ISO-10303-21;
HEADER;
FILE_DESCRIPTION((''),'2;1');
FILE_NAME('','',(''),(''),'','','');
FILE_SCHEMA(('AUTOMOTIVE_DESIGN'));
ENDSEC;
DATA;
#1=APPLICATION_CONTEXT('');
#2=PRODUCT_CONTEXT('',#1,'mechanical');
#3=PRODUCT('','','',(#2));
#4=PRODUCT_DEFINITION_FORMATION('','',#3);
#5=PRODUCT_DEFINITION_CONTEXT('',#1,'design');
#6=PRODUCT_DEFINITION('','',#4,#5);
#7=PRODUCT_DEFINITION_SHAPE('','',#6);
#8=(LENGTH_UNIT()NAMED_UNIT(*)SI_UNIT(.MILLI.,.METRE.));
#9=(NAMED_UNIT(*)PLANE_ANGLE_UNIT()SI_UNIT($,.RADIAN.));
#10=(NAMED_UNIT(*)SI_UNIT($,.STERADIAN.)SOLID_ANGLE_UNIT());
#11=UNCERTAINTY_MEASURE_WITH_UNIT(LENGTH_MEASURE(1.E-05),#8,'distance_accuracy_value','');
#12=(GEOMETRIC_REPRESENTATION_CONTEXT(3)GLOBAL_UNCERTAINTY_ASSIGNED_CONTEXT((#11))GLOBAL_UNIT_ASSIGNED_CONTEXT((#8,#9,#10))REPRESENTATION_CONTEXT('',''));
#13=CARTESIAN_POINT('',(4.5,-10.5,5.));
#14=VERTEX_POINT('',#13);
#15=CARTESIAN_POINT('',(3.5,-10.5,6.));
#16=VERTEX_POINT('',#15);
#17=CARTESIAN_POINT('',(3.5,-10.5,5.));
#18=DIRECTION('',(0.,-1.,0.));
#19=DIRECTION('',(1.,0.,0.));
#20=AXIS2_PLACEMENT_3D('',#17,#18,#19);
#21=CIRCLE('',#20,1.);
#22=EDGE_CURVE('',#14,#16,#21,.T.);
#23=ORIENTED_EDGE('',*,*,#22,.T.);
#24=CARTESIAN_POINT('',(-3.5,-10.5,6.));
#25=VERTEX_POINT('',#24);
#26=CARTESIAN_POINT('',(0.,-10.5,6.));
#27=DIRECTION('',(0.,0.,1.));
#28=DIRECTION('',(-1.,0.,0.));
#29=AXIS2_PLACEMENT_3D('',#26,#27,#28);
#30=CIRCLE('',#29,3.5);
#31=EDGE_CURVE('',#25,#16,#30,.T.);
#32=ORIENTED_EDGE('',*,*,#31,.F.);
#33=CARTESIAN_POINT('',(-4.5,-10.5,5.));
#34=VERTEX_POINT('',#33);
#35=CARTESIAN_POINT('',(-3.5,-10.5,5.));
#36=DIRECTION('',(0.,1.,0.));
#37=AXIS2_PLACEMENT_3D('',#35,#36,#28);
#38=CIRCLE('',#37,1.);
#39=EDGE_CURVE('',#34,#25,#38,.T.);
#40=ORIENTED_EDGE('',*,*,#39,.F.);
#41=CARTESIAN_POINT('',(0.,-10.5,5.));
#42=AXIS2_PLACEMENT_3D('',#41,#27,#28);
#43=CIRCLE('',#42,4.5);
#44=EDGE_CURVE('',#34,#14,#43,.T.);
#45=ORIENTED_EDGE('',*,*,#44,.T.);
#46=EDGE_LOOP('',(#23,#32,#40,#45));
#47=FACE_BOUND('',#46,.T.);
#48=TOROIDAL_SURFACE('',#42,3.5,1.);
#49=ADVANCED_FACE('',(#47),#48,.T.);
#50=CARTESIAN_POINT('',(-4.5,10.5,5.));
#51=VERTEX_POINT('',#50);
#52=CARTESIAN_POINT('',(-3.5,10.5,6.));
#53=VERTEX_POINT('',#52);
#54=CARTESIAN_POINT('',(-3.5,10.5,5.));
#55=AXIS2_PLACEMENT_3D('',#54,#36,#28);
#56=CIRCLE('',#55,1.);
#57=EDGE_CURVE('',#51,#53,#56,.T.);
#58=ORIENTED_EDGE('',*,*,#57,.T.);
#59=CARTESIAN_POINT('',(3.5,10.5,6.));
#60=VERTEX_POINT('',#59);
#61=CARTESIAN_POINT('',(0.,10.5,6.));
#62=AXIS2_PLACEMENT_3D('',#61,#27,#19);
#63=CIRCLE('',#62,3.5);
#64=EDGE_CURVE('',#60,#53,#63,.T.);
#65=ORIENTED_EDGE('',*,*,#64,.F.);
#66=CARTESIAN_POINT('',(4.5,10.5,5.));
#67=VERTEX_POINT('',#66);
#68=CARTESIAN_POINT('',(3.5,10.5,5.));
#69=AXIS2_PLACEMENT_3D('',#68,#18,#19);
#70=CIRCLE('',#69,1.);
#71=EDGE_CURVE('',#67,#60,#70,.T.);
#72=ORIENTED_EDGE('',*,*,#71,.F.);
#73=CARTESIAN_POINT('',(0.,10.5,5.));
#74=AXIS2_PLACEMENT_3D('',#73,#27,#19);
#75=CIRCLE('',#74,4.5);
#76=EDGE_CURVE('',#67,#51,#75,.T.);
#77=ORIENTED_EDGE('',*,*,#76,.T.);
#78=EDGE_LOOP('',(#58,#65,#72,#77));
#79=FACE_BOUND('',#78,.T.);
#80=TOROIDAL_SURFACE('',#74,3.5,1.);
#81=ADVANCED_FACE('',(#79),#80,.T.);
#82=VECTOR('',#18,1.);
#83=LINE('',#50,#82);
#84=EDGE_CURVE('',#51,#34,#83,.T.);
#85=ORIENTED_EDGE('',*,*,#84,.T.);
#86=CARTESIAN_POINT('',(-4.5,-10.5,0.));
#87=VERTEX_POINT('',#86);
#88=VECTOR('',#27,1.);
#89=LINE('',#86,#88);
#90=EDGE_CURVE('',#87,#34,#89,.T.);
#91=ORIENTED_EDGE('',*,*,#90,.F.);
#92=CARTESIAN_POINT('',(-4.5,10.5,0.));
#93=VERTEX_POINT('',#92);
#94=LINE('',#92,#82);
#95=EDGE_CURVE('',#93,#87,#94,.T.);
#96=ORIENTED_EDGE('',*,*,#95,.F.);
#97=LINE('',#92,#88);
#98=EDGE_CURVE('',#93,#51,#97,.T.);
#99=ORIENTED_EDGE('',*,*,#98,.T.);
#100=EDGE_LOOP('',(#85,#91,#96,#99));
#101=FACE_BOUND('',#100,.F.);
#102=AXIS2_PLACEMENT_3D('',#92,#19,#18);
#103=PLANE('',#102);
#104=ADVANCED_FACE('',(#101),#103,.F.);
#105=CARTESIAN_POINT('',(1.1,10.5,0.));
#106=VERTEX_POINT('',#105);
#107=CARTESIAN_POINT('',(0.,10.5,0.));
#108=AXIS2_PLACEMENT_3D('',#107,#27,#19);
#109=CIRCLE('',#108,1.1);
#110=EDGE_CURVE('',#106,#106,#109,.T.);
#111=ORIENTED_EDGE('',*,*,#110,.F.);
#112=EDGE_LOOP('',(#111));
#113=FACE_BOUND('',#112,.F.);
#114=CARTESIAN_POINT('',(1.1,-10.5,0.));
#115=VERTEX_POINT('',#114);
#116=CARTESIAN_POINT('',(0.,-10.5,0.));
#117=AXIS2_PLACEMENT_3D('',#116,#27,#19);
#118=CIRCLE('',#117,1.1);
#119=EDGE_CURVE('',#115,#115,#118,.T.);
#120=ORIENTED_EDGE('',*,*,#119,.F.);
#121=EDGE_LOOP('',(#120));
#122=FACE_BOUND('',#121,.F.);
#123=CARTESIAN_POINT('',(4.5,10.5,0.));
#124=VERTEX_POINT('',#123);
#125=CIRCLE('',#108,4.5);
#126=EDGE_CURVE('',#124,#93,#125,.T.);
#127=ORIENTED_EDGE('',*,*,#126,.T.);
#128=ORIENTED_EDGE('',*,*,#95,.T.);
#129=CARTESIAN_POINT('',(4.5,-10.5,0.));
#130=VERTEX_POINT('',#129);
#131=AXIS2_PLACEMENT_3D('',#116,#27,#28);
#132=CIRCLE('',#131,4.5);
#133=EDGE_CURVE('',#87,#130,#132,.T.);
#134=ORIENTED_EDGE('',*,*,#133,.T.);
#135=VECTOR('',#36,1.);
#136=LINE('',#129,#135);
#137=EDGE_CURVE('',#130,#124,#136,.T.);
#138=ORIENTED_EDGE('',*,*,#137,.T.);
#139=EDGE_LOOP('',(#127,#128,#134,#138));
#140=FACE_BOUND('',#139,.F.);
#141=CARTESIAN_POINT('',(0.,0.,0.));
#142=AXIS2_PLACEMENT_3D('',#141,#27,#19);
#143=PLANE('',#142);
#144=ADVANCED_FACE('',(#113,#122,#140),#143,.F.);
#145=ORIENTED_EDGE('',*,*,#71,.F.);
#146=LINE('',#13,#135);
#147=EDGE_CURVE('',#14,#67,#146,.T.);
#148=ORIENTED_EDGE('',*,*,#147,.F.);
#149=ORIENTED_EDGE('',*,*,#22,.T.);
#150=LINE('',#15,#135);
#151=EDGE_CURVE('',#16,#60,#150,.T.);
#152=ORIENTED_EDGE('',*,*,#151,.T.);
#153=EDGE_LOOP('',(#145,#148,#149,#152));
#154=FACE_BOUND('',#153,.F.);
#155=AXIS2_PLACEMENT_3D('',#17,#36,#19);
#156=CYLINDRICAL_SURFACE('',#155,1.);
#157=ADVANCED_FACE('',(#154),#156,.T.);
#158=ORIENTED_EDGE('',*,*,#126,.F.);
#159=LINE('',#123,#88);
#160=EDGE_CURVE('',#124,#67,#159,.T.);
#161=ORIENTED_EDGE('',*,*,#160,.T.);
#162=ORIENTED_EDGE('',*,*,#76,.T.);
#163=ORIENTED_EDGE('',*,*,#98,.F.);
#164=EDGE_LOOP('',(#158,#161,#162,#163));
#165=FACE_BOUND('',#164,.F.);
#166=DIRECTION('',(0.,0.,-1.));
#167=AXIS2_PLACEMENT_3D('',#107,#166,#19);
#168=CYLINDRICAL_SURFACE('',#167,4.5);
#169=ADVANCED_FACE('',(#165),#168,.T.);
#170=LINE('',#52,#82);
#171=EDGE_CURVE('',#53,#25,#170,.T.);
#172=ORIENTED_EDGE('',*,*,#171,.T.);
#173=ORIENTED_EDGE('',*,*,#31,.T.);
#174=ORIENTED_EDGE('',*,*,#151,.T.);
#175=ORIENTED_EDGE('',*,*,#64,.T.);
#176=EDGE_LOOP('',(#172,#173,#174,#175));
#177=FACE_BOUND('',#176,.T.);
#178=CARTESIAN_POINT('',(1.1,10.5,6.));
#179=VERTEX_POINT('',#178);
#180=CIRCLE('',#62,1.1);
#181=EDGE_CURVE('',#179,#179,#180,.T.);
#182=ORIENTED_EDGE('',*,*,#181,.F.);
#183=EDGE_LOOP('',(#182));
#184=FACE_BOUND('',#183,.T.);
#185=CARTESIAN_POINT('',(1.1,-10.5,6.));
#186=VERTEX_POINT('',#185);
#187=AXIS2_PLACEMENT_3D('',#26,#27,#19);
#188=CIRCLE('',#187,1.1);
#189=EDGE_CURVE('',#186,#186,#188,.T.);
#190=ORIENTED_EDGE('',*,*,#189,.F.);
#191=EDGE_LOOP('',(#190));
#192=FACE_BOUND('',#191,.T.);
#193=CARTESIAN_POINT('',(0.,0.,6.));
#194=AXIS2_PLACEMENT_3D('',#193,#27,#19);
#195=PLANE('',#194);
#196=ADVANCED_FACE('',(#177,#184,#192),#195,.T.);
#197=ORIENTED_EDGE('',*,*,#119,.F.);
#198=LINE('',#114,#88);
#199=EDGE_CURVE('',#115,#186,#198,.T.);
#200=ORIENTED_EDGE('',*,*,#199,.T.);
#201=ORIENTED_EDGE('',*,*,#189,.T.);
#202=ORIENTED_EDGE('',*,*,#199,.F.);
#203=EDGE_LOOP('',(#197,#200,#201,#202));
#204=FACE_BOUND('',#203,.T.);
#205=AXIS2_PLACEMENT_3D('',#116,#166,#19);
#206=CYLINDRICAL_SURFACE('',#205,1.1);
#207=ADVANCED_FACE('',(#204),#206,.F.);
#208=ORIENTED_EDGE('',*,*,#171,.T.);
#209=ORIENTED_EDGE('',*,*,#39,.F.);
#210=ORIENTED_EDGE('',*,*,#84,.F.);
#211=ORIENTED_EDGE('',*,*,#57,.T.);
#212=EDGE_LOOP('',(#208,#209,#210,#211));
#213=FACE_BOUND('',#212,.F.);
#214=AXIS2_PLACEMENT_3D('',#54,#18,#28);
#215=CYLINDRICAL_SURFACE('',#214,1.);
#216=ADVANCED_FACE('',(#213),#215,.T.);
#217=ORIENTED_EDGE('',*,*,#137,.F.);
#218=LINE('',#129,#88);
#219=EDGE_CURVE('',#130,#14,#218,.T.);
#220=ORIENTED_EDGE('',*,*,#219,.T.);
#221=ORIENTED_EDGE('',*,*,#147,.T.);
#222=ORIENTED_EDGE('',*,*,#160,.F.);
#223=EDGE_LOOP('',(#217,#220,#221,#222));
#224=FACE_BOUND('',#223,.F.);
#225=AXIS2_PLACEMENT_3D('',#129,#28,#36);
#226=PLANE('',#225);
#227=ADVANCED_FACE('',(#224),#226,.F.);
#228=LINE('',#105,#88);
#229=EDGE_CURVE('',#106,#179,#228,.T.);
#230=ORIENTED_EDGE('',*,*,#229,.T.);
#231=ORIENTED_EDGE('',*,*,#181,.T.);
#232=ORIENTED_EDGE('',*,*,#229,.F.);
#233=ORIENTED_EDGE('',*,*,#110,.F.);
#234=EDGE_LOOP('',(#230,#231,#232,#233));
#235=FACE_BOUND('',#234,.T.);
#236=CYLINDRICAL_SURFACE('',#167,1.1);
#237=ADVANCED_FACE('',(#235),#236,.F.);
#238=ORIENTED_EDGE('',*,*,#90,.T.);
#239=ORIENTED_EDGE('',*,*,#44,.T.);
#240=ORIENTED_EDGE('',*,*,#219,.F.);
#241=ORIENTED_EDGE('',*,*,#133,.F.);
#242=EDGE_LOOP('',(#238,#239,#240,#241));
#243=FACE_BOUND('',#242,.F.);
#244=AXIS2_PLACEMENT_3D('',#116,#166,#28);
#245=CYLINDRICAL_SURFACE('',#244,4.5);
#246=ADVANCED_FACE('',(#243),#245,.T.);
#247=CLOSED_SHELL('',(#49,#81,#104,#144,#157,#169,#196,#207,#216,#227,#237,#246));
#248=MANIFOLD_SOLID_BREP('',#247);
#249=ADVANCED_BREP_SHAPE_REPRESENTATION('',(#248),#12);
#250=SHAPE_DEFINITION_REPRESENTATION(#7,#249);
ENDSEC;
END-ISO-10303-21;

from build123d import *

# Parameters (mm, degrees)
SKETCH_R  = 1.1
PAD_DEPTH = 6
FILLET_R  = 1


with BuildPart() as part:
    # Sketch → Pad (new body)
    with BuildSketch(Plane.XY):
        with BuildLine():
            ThreePointArc((4.5, 10.5), (0, 15), (-4.5, 10.5))
            Line((-4.5, 10.5), (-4.5, -10.5))
            ThreePointArc((-4.5, -10.5), (0, -15), (4.5, -10.5))
            Line((4.5, -10.5), (4.5, 10.5))
        make_face()
        with Locations((0, 10.5)):
            Circle(SKETCH_R, mode=Mode.SUBTRACT)
        with Locations((0, -10.5)):
            Circle(SKETCH_R, mode=Mode.SUBTRACT)
    extrude(amount=PAD_DEPTH)

    # Fillet
    fillet_edges = [part.edges().sort_by_distance(p)[0] for p in [
        (-4.5, 0, 6),
    ]]
    fillet(fillet_edges, radius=FILLET_R)


solid = part.part
